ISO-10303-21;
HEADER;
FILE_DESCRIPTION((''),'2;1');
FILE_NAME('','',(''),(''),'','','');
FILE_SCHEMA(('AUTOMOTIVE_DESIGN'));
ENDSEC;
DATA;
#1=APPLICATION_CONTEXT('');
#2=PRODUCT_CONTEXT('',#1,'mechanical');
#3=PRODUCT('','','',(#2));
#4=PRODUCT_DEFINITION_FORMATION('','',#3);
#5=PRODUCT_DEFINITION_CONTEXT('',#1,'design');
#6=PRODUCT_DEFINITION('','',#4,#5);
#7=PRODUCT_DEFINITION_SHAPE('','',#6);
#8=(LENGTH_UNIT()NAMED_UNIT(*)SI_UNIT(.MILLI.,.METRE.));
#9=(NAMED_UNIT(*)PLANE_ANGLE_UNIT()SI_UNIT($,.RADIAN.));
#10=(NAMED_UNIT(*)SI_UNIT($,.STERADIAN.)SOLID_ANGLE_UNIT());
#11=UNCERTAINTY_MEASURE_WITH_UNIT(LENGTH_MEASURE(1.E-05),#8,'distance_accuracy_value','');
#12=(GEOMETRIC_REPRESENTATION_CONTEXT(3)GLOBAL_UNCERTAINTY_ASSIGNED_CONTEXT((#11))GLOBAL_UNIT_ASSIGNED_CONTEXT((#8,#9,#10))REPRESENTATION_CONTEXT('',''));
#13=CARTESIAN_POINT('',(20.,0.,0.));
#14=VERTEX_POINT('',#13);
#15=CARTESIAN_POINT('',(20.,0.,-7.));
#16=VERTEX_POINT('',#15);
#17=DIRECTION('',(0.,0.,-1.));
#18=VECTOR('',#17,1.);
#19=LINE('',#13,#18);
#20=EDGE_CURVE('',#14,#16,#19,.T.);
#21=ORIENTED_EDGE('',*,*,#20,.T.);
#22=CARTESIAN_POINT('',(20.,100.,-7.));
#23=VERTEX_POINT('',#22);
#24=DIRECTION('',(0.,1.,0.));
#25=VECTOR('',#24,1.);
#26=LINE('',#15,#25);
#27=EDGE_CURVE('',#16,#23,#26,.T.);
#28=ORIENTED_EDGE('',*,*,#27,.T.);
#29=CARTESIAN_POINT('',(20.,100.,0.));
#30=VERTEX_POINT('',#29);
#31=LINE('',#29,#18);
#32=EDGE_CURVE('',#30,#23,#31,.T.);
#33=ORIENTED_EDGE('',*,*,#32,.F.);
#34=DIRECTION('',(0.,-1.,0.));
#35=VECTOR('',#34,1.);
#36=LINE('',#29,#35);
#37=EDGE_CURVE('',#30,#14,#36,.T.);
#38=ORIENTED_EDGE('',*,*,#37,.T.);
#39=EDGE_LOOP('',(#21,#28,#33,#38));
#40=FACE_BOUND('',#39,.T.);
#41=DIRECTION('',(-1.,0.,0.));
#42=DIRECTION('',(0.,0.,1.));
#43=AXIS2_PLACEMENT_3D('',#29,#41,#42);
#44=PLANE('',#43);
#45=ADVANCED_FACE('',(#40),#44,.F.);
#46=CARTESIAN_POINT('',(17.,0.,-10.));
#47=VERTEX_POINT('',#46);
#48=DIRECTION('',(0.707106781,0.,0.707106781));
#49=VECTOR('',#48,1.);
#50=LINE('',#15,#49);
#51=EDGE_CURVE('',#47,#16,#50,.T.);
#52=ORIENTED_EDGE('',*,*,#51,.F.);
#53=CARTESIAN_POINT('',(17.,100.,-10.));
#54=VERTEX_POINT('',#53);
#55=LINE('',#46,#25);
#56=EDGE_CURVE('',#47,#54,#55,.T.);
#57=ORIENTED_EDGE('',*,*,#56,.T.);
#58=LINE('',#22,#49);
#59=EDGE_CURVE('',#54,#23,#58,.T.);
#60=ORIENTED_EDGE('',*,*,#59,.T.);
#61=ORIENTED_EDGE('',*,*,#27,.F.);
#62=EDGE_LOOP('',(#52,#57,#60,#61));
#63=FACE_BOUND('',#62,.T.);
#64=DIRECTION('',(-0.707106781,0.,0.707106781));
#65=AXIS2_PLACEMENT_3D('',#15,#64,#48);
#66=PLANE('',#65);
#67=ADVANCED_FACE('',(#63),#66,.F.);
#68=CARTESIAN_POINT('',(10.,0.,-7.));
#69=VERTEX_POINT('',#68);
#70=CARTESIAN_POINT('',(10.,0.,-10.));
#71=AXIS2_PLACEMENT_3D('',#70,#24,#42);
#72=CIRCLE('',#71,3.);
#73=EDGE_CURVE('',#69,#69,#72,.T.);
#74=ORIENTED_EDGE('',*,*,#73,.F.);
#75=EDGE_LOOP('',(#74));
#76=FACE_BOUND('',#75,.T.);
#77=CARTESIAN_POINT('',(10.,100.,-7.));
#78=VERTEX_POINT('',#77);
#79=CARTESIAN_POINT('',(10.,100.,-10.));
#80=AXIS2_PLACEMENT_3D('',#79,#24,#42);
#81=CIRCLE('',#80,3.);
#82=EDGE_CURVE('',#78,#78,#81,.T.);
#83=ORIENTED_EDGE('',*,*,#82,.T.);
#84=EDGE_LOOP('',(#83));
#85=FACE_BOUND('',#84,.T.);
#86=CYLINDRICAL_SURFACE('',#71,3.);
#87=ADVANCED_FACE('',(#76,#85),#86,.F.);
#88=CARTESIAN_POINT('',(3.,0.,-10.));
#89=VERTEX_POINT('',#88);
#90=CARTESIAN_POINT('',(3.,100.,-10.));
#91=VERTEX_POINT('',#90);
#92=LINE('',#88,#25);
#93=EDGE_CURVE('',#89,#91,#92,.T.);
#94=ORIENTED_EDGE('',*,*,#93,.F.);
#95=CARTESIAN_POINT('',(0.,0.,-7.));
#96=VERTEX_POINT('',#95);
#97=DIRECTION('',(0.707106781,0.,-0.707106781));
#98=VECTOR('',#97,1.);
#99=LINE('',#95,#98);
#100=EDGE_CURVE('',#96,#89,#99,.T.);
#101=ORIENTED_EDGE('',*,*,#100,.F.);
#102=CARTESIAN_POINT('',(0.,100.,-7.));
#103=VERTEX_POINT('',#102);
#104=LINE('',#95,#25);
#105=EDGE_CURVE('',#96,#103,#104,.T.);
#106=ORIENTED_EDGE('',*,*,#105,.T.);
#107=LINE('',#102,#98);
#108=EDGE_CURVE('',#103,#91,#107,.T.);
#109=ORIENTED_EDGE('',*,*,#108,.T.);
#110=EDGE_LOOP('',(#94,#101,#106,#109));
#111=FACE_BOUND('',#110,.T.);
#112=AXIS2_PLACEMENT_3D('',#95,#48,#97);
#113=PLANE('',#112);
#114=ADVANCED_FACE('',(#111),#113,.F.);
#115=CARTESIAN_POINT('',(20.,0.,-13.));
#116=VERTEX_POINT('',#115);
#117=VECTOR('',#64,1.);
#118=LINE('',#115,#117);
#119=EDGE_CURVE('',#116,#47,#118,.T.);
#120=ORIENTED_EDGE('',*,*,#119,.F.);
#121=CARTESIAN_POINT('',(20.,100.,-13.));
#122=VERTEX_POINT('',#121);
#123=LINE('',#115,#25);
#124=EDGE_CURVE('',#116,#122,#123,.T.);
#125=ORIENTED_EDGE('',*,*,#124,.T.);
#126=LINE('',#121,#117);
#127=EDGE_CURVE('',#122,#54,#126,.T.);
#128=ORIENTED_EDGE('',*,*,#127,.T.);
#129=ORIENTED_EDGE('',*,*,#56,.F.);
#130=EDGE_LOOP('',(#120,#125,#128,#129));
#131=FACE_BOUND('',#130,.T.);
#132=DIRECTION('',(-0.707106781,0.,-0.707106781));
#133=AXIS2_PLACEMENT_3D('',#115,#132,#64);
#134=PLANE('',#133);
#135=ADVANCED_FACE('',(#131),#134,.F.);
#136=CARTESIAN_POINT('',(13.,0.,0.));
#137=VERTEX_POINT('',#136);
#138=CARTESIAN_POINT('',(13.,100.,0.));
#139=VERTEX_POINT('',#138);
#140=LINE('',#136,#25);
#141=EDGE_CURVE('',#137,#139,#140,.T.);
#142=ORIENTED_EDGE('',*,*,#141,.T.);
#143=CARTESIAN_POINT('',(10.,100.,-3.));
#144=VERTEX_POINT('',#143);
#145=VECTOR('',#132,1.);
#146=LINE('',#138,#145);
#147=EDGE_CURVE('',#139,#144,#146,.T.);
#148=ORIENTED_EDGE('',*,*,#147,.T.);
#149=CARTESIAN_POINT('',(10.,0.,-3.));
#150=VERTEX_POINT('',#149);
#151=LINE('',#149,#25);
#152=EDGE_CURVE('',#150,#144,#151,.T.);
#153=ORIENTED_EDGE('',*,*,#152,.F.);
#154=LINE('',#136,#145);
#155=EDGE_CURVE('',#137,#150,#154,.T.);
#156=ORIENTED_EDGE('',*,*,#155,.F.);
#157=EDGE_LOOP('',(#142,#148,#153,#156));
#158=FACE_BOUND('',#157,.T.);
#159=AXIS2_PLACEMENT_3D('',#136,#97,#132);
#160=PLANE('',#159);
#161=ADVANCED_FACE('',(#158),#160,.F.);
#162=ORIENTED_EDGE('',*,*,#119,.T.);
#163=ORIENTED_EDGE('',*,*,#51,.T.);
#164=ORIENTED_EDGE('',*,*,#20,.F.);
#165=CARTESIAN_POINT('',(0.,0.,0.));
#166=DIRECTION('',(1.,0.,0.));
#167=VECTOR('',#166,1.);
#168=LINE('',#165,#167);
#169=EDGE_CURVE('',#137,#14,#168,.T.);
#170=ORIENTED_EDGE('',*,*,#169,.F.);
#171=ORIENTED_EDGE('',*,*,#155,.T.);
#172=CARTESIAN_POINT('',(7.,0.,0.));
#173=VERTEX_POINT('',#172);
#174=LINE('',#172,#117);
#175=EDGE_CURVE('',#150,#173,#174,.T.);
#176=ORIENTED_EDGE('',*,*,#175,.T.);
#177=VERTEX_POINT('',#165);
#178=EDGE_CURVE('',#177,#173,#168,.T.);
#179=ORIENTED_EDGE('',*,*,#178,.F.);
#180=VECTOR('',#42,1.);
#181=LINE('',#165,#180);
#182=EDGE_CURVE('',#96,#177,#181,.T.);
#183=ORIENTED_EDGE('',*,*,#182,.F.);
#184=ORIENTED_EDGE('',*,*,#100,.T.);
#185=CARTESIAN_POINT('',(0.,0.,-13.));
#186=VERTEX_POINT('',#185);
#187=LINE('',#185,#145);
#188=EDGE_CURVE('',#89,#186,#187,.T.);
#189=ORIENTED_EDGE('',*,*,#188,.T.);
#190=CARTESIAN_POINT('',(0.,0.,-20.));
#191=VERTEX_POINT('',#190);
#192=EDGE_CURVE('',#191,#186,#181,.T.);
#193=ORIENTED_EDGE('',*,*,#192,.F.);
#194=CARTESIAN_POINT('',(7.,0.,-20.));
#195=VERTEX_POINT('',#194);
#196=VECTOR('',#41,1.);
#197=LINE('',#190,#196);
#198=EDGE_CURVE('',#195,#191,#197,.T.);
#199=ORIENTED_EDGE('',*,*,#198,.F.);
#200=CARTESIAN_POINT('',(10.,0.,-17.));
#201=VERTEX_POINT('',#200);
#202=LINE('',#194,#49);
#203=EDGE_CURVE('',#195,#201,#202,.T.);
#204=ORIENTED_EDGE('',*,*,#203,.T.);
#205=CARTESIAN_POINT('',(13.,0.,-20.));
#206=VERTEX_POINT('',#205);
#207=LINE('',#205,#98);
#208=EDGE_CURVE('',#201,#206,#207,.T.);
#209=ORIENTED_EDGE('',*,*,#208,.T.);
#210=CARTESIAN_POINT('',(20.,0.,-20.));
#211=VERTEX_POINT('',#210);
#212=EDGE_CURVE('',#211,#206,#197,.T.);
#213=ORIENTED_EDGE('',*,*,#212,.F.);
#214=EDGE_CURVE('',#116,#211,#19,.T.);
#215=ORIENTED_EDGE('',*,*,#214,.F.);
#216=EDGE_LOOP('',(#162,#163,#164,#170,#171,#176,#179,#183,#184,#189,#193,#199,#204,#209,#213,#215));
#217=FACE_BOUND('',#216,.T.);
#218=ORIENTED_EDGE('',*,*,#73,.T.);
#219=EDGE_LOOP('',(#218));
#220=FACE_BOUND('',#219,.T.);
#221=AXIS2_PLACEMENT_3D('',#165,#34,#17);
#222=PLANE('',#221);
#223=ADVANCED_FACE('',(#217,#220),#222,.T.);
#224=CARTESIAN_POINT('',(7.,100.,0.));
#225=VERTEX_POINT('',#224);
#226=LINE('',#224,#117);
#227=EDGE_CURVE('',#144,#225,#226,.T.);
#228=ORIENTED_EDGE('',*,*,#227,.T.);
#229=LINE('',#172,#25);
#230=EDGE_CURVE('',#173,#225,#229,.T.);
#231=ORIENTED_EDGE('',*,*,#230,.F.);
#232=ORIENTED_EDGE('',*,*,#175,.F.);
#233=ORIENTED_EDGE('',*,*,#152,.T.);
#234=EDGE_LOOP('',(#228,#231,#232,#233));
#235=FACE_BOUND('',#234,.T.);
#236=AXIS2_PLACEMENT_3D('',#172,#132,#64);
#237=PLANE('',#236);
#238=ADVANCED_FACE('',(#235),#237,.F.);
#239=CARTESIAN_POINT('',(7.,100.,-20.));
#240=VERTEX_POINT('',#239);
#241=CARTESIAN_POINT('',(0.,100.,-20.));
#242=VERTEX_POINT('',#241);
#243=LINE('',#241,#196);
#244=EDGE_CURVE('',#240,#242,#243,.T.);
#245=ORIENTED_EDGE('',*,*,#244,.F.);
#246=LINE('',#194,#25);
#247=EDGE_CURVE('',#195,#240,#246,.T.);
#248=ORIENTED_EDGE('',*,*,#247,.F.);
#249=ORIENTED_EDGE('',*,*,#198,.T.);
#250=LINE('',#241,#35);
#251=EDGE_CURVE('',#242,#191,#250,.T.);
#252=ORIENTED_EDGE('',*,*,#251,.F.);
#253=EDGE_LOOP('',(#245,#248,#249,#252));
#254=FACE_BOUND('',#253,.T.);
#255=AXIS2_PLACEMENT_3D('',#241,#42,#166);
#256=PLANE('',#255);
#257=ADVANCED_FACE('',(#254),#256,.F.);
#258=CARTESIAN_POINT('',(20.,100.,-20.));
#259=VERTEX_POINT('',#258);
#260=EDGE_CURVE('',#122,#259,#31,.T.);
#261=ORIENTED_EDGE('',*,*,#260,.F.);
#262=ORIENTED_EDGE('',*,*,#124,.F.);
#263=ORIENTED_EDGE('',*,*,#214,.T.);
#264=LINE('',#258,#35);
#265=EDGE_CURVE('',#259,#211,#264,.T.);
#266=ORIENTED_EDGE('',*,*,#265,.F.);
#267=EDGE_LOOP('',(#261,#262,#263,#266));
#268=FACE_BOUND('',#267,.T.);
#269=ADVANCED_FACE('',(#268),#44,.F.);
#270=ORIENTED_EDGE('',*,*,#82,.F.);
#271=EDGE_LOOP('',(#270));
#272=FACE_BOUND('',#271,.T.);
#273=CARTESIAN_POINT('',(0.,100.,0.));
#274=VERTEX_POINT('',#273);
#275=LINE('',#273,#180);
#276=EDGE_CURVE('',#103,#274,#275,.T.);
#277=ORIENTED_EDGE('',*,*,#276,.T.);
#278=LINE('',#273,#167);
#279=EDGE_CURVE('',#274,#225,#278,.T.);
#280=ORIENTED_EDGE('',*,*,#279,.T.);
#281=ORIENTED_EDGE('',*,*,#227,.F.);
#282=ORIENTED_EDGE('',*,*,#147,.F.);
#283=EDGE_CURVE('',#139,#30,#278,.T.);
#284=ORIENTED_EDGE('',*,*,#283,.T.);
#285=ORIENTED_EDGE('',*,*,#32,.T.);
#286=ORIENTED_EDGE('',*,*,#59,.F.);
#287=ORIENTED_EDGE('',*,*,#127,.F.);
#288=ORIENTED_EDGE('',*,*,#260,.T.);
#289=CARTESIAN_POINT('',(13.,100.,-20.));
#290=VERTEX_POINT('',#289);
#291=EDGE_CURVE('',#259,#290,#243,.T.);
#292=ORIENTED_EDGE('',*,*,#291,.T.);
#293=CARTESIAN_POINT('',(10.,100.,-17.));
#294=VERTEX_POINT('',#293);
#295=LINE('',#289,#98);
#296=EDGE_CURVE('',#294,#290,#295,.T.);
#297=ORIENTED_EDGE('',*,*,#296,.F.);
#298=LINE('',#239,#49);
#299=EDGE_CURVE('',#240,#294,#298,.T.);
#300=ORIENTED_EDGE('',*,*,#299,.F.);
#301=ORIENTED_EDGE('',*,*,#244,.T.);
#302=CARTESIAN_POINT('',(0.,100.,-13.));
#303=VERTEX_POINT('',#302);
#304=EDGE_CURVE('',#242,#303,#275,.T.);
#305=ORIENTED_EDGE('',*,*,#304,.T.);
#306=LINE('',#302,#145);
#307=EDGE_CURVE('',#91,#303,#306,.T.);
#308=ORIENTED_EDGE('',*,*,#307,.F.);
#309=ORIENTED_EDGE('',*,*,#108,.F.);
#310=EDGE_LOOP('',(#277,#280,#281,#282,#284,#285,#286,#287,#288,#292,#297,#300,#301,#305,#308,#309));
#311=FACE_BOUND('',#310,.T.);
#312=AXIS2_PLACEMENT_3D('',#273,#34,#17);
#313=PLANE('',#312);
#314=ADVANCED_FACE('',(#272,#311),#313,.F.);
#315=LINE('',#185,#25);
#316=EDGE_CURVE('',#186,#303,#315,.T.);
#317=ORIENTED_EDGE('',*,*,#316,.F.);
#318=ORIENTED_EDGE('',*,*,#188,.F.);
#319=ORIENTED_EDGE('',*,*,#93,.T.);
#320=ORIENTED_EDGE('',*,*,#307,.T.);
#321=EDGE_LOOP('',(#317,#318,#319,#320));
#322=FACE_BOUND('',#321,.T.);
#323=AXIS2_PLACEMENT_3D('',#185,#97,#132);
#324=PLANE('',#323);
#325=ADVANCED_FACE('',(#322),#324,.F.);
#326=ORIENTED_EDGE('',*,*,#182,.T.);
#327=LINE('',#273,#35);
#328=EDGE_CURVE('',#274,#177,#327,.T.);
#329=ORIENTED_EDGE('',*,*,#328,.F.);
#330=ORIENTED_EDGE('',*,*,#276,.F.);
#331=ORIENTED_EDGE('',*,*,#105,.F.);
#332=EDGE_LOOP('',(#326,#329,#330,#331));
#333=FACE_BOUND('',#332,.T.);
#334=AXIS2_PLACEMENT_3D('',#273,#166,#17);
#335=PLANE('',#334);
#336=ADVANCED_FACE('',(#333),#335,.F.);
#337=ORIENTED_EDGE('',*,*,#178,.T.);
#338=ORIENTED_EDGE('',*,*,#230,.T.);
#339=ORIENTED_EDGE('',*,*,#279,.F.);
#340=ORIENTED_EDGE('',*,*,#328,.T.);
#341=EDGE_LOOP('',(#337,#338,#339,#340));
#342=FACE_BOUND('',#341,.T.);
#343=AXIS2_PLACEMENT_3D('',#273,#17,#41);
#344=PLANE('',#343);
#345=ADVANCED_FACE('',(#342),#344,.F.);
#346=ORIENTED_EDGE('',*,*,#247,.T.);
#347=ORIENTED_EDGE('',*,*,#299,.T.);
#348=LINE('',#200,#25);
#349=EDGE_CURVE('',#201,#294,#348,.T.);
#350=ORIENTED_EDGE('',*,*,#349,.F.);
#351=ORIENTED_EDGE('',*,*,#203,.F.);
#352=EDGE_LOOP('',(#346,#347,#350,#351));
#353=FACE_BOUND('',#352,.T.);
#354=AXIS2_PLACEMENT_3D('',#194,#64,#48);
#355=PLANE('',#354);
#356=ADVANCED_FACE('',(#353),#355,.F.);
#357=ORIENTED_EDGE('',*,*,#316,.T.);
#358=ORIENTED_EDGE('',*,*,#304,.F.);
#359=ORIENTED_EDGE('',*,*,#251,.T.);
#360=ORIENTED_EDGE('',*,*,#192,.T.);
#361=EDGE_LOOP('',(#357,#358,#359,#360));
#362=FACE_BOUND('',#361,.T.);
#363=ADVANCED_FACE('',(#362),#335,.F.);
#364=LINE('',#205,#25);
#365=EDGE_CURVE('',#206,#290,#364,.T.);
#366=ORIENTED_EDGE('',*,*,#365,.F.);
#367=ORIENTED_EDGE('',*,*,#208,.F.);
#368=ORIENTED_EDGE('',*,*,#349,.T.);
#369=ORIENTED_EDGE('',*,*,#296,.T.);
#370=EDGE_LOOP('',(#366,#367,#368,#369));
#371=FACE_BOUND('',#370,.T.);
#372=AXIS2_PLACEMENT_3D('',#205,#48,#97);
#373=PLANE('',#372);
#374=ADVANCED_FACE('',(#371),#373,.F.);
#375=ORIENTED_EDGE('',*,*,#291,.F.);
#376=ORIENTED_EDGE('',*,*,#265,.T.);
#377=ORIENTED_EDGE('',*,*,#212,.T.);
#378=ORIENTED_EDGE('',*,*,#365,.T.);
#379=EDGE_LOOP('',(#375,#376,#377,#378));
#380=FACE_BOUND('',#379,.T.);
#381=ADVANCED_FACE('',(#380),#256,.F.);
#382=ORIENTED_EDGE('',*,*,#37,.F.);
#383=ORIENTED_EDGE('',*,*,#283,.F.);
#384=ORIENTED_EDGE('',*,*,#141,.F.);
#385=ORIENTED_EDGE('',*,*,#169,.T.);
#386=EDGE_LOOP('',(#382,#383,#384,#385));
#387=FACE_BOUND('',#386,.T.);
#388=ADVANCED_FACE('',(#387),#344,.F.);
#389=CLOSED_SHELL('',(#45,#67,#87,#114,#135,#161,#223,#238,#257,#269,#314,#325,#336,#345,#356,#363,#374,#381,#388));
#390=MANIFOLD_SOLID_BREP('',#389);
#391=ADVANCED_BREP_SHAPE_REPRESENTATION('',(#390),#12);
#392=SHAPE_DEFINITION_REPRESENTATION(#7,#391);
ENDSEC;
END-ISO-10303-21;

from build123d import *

# Parameters (mm, degrees)
SKIZZE1_W                       = 20
SKIZZE1_H                       = 20
AUFSATZ_LINEAR_AUSTRAGEN1_DEPTH = 100
SCHNITT_LINEAR_AUSTRAGEN1_DEPTH = 104.923048454
SKETCH1_R                       = 3
EXTRUDE1_DEPTH                  = 104.923048454


with BuildPart() as part:
    # Skizze1 → Aufsatz-Linear austragen1 (new body)
    with BuildSketch(Plane(origin=(0, 0, 0), x_dir=(1, 0, 0), z_dir=(0, 1, 0))):
        with Locations((10, 10)):
            Rectangle(SKIZZE1_W, SKIZZE1_H)
    extrude(amount=AUFSATZ_LINEAR_AUSTRAGEN1_DEPTH)

    # Skizze2 → Schnitt-Linear austragen1 (cut, through all)
    with BuildSketch(Plane(origin=(0, 100, 0), x_dir=(1, 0, 0), z_dir=(0, 1, 0))):
        Polygon((7, 20), (10, 17), (13, 20), align=None)
        Polygon((20, 13), (17, 10), (20, 7), align=None)
        Polygon((0, 7), (0, 13), (3, 10), align=None)
        Polygon((7, 0), (13, 0), (10, 3), align=None)
    extrude(amount=-SCHNITT_LINEAR_AUSTRAGEN1_DEPTH, mode=Mode.SUBTRACT)

    # Sketch1 → Extrude1 (cut, through all)
    with BuildSketch(Plane(origin=(0, 100, 0), x_dir=(1, 0, 0), z_dir=(0, 1, 0))):
        with Locations(Location((10, 10, 0), (0, 0, 270))):
            Circle(SKETCH1_R)
    extrude(amount=-EXTRUDE1_DEPTH, mode=Mode.SUBTRACT)


solid = part.part
